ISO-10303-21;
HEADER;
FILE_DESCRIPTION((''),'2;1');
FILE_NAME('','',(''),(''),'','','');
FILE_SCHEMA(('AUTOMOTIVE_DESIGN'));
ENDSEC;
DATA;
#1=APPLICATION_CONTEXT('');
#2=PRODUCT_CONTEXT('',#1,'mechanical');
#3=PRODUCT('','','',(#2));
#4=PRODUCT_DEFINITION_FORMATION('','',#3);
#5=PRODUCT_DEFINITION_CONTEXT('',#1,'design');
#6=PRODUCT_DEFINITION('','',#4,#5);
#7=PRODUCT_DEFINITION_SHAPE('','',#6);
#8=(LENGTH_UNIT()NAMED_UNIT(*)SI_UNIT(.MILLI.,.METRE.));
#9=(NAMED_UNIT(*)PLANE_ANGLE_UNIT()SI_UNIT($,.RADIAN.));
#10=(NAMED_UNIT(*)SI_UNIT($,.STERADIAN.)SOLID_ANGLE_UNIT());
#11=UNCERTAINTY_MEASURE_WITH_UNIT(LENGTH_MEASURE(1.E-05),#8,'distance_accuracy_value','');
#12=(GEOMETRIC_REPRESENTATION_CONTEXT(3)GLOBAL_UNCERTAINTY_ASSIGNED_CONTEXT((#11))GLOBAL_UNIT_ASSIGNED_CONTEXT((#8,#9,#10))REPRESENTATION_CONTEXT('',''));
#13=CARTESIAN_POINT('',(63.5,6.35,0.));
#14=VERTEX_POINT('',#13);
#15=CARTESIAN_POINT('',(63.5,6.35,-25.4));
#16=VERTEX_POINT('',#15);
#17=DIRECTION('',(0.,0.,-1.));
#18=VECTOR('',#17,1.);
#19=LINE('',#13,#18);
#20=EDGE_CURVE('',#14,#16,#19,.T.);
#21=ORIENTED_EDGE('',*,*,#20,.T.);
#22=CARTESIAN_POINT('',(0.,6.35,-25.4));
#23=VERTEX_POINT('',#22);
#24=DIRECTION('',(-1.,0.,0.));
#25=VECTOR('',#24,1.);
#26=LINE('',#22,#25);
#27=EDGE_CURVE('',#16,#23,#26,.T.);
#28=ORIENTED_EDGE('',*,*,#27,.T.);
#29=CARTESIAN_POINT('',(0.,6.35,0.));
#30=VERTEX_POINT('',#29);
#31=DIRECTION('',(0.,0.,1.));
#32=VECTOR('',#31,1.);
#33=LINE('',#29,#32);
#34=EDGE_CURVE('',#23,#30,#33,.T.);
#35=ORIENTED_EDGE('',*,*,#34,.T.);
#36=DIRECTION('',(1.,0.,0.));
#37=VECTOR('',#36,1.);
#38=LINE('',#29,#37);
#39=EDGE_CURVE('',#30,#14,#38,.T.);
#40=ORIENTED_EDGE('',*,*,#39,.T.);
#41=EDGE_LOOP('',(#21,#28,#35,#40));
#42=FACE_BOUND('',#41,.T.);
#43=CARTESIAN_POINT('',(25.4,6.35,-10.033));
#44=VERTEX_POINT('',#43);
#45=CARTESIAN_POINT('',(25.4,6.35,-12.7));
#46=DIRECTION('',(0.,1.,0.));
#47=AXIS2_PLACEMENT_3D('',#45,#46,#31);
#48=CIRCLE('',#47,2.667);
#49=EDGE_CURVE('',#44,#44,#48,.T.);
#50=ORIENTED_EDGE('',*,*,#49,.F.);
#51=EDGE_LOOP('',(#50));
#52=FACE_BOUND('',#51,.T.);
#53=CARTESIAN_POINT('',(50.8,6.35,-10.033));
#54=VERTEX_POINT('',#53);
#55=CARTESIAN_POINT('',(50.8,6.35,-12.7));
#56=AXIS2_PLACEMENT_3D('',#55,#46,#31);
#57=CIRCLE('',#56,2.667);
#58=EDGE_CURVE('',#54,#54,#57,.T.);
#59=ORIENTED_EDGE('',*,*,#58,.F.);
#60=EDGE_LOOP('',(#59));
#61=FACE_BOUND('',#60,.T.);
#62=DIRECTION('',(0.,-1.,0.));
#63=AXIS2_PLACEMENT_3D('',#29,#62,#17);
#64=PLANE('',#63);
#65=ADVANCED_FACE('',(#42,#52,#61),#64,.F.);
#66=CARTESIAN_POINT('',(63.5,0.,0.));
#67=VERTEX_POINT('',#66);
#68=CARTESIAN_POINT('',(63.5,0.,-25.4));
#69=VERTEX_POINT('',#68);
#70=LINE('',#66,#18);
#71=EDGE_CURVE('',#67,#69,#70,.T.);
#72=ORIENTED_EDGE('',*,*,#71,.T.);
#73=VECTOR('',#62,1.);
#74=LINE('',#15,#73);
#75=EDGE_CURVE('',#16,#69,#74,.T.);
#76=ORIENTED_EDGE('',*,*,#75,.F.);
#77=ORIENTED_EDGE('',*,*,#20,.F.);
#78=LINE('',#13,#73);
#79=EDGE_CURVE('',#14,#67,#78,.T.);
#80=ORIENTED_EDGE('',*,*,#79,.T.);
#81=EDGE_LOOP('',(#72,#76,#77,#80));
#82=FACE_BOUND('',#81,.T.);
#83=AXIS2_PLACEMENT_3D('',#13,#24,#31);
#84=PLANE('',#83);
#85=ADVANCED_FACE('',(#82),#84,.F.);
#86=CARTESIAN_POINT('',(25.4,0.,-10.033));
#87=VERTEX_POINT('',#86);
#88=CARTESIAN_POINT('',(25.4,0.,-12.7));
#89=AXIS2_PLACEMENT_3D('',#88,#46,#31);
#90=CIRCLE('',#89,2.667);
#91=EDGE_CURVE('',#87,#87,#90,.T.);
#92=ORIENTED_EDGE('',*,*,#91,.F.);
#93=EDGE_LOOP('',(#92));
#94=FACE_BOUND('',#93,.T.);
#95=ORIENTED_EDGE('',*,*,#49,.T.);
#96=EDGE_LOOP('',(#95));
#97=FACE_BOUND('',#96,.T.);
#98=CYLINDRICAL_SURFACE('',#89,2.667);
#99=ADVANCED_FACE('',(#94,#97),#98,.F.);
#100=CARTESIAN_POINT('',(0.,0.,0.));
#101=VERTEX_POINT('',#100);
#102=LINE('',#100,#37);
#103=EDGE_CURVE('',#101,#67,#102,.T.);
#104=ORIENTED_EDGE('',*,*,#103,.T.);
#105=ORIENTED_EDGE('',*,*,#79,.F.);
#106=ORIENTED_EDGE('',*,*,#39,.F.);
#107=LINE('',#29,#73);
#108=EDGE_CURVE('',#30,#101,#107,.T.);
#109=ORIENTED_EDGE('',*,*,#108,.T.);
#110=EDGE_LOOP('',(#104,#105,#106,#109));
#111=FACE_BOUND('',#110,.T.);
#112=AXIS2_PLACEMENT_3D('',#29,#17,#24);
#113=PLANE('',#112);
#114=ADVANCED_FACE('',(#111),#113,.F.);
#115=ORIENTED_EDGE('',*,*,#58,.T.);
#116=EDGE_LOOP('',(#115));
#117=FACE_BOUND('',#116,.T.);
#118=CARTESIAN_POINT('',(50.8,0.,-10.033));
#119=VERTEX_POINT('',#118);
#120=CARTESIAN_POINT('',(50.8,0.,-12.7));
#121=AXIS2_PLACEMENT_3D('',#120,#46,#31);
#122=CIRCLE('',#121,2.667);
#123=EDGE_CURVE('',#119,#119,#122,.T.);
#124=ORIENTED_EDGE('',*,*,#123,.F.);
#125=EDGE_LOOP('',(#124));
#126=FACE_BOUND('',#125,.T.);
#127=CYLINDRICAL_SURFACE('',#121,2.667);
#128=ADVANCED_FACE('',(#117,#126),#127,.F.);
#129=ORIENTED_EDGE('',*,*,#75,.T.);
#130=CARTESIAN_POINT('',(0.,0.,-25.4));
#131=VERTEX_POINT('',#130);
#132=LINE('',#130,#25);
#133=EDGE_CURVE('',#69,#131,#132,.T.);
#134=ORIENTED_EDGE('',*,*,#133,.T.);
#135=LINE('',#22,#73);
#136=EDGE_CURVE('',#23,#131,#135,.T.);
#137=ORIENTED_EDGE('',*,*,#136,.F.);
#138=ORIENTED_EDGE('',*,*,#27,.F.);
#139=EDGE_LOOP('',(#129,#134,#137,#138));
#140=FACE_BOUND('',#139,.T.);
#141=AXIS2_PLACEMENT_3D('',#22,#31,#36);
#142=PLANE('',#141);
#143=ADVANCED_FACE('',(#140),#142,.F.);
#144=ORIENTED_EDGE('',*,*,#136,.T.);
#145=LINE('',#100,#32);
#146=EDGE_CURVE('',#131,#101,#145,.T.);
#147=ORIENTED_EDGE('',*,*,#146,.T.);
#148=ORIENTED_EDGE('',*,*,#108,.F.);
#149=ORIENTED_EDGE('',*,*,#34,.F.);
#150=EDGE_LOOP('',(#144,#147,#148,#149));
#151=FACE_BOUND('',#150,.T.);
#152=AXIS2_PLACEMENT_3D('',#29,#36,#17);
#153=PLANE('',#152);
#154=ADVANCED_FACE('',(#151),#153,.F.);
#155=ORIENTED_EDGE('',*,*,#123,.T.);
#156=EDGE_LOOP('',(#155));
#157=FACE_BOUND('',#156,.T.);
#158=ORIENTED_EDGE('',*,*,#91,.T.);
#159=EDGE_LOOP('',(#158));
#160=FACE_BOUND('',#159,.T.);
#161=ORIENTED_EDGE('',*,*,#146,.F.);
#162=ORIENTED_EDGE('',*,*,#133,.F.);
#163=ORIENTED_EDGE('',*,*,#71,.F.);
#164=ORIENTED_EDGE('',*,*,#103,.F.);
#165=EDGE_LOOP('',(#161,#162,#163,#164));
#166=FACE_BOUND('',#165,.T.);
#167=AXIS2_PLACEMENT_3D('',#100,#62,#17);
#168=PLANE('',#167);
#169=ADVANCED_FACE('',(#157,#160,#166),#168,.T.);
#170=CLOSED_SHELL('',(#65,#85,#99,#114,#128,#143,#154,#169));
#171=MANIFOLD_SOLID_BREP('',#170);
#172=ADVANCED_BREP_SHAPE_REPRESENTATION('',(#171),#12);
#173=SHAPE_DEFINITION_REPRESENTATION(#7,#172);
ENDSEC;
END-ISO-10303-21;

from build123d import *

# Parameters (mm, degrees)
SKETCH1_W           = 63.5
SKETCH1_H           = 25.4
BOSS_EXTRUDE1_DEPTH = 6.35
SKETCH2_R           = 2.667
CUT_EXTRUDE1_DEPTH  = 69.685751798


with BuildPart() as part:
    # Sketch1 → Boss-Extrude1 (new body)
    with BuildSketch(Plane(origin=(0, 0, 0), x_dir=(1, 0, 0), z_dir=(0, 1, 0))):
        with Locations((31.75, 12.7)):
            Rectangle(SKETCH1_W, SKETCH1_H)
    extrude(amount=BOSS_EXTRUDE1_DEPTH)

    # Sketch2 → Cut-Extrude1 (cut, through all)
    with BuildSketch(Plane(origin=(0, 6.35, 0), x_dir=(1, 0, 0), z_dir=(0, 1, 0))):
        with Locations(Location((25.4, 12.7, 0), (0, 0, 270))):
            Circle(SKETCH2_R)
        with Locations(Location((50.8, 12.7, 0), (0, 0, 270))):
            Circle(SKETCH2_R)
    extrude(amount=-CUT_EXTRUDE1_DEPTH, mode=Mode.SUBTRACT)


solid = part.part
